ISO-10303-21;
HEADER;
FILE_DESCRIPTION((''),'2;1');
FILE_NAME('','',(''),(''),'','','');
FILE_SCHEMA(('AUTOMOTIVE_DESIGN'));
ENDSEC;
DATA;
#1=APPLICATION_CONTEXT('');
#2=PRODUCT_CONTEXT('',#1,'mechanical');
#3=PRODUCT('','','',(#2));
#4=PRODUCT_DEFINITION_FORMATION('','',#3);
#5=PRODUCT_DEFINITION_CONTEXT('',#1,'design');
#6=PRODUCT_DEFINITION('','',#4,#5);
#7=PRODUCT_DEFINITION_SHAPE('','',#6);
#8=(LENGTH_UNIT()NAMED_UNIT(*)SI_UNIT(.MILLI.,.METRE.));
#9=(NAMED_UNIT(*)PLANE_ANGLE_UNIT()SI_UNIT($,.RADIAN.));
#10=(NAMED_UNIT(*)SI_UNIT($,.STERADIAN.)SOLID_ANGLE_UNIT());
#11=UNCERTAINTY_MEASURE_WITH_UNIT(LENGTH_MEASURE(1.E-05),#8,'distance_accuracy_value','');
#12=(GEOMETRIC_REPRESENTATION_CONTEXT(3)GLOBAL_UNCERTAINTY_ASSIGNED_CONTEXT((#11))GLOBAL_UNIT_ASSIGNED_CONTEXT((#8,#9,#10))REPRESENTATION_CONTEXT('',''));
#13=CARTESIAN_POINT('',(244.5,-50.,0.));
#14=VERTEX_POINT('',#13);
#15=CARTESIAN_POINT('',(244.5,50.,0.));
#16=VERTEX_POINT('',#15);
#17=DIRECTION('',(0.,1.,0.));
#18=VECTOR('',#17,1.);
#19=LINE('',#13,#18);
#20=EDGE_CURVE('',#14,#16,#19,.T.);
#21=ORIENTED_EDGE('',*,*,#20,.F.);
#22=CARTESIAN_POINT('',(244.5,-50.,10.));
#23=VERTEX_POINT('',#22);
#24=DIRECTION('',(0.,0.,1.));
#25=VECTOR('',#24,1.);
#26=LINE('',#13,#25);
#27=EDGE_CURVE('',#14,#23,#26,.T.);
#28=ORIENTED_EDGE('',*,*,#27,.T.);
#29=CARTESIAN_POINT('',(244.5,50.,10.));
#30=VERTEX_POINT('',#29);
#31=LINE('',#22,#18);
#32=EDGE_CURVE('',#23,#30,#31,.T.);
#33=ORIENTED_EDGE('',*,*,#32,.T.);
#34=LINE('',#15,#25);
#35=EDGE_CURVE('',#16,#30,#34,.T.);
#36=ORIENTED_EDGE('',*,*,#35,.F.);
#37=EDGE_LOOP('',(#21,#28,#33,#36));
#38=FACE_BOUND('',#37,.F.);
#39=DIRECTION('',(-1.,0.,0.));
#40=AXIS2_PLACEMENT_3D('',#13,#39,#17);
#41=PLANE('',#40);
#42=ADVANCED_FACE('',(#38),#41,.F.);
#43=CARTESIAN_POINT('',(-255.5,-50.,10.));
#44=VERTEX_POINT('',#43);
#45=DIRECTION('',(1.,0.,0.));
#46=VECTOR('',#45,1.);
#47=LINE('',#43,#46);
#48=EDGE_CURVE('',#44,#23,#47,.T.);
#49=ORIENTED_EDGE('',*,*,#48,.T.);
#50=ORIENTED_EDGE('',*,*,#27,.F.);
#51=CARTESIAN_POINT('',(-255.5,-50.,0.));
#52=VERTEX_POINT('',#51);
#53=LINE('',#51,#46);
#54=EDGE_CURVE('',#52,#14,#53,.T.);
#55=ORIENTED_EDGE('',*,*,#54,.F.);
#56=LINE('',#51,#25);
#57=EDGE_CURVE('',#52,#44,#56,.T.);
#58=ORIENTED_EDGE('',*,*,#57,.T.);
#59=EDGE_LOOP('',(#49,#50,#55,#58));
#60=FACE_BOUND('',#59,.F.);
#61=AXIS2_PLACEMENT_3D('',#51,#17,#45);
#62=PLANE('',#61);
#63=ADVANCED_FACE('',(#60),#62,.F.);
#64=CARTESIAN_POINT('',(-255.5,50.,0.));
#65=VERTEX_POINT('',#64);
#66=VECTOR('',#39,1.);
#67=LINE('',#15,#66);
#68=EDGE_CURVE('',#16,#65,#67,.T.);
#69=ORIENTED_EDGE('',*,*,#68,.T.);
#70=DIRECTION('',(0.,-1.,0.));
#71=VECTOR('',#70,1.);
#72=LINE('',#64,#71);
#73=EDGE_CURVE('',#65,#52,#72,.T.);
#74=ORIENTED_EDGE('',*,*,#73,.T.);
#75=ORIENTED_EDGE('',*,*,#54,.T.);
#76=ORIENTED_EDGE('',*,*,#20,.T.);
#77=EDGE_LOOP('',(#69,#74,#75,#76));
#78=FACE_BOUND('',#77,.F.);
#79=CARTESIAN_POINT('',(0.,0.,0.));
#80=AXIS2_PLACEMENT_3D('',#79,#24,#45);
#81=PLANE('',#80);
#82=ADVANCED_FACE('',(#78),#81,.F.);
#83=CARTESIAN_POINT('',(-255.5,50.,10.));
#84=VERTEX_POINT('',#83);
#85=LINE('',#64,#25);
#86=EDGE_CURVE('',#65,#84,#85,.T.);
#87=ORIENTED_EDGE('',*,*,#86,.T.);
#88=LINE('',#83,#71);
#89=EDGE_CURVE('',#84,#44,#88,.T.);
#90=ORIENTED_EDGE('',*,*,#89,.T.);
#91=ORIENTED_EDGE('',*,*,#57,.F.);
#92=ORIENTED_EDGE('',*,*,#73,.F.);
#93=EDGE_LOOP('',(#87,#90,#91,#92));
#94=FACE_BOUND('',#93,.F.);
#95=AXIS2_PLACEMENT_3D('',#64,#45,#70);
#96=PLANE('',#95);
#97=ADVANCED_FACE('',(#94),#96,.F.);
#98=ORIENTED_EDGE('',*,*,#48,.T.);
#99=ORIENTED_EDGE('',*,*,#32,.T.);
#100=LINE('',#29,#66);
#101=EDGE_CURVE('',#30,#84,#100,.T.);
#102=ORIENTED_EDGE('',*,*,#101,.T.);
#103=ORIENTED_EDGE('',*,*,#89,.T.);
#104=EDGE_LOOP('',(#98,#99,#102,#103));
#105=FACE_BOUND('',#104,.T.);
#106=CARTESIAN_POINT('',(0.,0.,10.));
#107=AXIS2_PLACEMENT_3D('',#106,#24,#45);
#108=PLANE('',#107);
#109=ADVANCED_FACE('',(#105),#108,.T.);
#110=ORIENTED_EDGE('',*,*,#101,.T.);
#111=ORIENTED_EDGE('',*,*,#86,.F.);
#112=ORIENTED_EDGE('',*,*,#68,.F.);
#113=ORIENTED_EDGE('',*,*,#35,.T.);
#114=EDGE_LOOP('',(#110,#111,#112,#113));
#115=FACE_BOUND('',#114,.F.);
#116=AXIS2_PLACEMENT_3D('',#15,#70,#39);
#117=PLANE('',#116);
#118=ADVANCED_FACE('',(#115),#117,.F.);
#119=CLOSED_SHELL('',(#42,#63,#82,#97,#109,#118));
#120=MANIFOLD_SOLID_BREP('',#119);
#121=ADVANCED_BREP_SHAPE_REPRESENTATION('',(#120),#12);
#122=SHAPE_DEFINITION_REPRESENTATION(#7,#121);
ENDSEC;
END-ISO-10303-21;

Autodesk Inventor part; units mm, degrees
ref_plane "YZ Plane" through (0, 0, 0) normal (1, 0, 0) x (0, 1, 0)
ref_plane "XZ Plane" through (0, 0, 0) normal (0, 1, 0) x (-1, 0, 0)
ref_plane "XY Plane" through (0, 0, 0) normal (0, 0, 1) x (1, 0, 0)
sketch "Sketch1" plane through (0, 0, 0) normal (0, 0, 1) x (1, 0, 0)
  line L0 (0, 0) -> (-5.5, 0) construction
  line L1 (244.5, 50) -> (-255.5, 50)
  line L2 (-255.5, 50) -> (-255.5, -50)
  line L3 (-255.5, -50) -> (244.5, -50)
  line L4 (244.5, -50) -> (244.5, 50)
  line L5 (244.5, 50) -> (-255.5, -50) construction
  line L6 (-255.5, 50) -> (244.5, -50) construction
  dimension "d0" = 5.5
  dimension "d1" = 500
  dimension "d2" = 100
extrude "Extrusion1" add sketch "Sketch1" along normal blind 10
properties part number "back_plate"
